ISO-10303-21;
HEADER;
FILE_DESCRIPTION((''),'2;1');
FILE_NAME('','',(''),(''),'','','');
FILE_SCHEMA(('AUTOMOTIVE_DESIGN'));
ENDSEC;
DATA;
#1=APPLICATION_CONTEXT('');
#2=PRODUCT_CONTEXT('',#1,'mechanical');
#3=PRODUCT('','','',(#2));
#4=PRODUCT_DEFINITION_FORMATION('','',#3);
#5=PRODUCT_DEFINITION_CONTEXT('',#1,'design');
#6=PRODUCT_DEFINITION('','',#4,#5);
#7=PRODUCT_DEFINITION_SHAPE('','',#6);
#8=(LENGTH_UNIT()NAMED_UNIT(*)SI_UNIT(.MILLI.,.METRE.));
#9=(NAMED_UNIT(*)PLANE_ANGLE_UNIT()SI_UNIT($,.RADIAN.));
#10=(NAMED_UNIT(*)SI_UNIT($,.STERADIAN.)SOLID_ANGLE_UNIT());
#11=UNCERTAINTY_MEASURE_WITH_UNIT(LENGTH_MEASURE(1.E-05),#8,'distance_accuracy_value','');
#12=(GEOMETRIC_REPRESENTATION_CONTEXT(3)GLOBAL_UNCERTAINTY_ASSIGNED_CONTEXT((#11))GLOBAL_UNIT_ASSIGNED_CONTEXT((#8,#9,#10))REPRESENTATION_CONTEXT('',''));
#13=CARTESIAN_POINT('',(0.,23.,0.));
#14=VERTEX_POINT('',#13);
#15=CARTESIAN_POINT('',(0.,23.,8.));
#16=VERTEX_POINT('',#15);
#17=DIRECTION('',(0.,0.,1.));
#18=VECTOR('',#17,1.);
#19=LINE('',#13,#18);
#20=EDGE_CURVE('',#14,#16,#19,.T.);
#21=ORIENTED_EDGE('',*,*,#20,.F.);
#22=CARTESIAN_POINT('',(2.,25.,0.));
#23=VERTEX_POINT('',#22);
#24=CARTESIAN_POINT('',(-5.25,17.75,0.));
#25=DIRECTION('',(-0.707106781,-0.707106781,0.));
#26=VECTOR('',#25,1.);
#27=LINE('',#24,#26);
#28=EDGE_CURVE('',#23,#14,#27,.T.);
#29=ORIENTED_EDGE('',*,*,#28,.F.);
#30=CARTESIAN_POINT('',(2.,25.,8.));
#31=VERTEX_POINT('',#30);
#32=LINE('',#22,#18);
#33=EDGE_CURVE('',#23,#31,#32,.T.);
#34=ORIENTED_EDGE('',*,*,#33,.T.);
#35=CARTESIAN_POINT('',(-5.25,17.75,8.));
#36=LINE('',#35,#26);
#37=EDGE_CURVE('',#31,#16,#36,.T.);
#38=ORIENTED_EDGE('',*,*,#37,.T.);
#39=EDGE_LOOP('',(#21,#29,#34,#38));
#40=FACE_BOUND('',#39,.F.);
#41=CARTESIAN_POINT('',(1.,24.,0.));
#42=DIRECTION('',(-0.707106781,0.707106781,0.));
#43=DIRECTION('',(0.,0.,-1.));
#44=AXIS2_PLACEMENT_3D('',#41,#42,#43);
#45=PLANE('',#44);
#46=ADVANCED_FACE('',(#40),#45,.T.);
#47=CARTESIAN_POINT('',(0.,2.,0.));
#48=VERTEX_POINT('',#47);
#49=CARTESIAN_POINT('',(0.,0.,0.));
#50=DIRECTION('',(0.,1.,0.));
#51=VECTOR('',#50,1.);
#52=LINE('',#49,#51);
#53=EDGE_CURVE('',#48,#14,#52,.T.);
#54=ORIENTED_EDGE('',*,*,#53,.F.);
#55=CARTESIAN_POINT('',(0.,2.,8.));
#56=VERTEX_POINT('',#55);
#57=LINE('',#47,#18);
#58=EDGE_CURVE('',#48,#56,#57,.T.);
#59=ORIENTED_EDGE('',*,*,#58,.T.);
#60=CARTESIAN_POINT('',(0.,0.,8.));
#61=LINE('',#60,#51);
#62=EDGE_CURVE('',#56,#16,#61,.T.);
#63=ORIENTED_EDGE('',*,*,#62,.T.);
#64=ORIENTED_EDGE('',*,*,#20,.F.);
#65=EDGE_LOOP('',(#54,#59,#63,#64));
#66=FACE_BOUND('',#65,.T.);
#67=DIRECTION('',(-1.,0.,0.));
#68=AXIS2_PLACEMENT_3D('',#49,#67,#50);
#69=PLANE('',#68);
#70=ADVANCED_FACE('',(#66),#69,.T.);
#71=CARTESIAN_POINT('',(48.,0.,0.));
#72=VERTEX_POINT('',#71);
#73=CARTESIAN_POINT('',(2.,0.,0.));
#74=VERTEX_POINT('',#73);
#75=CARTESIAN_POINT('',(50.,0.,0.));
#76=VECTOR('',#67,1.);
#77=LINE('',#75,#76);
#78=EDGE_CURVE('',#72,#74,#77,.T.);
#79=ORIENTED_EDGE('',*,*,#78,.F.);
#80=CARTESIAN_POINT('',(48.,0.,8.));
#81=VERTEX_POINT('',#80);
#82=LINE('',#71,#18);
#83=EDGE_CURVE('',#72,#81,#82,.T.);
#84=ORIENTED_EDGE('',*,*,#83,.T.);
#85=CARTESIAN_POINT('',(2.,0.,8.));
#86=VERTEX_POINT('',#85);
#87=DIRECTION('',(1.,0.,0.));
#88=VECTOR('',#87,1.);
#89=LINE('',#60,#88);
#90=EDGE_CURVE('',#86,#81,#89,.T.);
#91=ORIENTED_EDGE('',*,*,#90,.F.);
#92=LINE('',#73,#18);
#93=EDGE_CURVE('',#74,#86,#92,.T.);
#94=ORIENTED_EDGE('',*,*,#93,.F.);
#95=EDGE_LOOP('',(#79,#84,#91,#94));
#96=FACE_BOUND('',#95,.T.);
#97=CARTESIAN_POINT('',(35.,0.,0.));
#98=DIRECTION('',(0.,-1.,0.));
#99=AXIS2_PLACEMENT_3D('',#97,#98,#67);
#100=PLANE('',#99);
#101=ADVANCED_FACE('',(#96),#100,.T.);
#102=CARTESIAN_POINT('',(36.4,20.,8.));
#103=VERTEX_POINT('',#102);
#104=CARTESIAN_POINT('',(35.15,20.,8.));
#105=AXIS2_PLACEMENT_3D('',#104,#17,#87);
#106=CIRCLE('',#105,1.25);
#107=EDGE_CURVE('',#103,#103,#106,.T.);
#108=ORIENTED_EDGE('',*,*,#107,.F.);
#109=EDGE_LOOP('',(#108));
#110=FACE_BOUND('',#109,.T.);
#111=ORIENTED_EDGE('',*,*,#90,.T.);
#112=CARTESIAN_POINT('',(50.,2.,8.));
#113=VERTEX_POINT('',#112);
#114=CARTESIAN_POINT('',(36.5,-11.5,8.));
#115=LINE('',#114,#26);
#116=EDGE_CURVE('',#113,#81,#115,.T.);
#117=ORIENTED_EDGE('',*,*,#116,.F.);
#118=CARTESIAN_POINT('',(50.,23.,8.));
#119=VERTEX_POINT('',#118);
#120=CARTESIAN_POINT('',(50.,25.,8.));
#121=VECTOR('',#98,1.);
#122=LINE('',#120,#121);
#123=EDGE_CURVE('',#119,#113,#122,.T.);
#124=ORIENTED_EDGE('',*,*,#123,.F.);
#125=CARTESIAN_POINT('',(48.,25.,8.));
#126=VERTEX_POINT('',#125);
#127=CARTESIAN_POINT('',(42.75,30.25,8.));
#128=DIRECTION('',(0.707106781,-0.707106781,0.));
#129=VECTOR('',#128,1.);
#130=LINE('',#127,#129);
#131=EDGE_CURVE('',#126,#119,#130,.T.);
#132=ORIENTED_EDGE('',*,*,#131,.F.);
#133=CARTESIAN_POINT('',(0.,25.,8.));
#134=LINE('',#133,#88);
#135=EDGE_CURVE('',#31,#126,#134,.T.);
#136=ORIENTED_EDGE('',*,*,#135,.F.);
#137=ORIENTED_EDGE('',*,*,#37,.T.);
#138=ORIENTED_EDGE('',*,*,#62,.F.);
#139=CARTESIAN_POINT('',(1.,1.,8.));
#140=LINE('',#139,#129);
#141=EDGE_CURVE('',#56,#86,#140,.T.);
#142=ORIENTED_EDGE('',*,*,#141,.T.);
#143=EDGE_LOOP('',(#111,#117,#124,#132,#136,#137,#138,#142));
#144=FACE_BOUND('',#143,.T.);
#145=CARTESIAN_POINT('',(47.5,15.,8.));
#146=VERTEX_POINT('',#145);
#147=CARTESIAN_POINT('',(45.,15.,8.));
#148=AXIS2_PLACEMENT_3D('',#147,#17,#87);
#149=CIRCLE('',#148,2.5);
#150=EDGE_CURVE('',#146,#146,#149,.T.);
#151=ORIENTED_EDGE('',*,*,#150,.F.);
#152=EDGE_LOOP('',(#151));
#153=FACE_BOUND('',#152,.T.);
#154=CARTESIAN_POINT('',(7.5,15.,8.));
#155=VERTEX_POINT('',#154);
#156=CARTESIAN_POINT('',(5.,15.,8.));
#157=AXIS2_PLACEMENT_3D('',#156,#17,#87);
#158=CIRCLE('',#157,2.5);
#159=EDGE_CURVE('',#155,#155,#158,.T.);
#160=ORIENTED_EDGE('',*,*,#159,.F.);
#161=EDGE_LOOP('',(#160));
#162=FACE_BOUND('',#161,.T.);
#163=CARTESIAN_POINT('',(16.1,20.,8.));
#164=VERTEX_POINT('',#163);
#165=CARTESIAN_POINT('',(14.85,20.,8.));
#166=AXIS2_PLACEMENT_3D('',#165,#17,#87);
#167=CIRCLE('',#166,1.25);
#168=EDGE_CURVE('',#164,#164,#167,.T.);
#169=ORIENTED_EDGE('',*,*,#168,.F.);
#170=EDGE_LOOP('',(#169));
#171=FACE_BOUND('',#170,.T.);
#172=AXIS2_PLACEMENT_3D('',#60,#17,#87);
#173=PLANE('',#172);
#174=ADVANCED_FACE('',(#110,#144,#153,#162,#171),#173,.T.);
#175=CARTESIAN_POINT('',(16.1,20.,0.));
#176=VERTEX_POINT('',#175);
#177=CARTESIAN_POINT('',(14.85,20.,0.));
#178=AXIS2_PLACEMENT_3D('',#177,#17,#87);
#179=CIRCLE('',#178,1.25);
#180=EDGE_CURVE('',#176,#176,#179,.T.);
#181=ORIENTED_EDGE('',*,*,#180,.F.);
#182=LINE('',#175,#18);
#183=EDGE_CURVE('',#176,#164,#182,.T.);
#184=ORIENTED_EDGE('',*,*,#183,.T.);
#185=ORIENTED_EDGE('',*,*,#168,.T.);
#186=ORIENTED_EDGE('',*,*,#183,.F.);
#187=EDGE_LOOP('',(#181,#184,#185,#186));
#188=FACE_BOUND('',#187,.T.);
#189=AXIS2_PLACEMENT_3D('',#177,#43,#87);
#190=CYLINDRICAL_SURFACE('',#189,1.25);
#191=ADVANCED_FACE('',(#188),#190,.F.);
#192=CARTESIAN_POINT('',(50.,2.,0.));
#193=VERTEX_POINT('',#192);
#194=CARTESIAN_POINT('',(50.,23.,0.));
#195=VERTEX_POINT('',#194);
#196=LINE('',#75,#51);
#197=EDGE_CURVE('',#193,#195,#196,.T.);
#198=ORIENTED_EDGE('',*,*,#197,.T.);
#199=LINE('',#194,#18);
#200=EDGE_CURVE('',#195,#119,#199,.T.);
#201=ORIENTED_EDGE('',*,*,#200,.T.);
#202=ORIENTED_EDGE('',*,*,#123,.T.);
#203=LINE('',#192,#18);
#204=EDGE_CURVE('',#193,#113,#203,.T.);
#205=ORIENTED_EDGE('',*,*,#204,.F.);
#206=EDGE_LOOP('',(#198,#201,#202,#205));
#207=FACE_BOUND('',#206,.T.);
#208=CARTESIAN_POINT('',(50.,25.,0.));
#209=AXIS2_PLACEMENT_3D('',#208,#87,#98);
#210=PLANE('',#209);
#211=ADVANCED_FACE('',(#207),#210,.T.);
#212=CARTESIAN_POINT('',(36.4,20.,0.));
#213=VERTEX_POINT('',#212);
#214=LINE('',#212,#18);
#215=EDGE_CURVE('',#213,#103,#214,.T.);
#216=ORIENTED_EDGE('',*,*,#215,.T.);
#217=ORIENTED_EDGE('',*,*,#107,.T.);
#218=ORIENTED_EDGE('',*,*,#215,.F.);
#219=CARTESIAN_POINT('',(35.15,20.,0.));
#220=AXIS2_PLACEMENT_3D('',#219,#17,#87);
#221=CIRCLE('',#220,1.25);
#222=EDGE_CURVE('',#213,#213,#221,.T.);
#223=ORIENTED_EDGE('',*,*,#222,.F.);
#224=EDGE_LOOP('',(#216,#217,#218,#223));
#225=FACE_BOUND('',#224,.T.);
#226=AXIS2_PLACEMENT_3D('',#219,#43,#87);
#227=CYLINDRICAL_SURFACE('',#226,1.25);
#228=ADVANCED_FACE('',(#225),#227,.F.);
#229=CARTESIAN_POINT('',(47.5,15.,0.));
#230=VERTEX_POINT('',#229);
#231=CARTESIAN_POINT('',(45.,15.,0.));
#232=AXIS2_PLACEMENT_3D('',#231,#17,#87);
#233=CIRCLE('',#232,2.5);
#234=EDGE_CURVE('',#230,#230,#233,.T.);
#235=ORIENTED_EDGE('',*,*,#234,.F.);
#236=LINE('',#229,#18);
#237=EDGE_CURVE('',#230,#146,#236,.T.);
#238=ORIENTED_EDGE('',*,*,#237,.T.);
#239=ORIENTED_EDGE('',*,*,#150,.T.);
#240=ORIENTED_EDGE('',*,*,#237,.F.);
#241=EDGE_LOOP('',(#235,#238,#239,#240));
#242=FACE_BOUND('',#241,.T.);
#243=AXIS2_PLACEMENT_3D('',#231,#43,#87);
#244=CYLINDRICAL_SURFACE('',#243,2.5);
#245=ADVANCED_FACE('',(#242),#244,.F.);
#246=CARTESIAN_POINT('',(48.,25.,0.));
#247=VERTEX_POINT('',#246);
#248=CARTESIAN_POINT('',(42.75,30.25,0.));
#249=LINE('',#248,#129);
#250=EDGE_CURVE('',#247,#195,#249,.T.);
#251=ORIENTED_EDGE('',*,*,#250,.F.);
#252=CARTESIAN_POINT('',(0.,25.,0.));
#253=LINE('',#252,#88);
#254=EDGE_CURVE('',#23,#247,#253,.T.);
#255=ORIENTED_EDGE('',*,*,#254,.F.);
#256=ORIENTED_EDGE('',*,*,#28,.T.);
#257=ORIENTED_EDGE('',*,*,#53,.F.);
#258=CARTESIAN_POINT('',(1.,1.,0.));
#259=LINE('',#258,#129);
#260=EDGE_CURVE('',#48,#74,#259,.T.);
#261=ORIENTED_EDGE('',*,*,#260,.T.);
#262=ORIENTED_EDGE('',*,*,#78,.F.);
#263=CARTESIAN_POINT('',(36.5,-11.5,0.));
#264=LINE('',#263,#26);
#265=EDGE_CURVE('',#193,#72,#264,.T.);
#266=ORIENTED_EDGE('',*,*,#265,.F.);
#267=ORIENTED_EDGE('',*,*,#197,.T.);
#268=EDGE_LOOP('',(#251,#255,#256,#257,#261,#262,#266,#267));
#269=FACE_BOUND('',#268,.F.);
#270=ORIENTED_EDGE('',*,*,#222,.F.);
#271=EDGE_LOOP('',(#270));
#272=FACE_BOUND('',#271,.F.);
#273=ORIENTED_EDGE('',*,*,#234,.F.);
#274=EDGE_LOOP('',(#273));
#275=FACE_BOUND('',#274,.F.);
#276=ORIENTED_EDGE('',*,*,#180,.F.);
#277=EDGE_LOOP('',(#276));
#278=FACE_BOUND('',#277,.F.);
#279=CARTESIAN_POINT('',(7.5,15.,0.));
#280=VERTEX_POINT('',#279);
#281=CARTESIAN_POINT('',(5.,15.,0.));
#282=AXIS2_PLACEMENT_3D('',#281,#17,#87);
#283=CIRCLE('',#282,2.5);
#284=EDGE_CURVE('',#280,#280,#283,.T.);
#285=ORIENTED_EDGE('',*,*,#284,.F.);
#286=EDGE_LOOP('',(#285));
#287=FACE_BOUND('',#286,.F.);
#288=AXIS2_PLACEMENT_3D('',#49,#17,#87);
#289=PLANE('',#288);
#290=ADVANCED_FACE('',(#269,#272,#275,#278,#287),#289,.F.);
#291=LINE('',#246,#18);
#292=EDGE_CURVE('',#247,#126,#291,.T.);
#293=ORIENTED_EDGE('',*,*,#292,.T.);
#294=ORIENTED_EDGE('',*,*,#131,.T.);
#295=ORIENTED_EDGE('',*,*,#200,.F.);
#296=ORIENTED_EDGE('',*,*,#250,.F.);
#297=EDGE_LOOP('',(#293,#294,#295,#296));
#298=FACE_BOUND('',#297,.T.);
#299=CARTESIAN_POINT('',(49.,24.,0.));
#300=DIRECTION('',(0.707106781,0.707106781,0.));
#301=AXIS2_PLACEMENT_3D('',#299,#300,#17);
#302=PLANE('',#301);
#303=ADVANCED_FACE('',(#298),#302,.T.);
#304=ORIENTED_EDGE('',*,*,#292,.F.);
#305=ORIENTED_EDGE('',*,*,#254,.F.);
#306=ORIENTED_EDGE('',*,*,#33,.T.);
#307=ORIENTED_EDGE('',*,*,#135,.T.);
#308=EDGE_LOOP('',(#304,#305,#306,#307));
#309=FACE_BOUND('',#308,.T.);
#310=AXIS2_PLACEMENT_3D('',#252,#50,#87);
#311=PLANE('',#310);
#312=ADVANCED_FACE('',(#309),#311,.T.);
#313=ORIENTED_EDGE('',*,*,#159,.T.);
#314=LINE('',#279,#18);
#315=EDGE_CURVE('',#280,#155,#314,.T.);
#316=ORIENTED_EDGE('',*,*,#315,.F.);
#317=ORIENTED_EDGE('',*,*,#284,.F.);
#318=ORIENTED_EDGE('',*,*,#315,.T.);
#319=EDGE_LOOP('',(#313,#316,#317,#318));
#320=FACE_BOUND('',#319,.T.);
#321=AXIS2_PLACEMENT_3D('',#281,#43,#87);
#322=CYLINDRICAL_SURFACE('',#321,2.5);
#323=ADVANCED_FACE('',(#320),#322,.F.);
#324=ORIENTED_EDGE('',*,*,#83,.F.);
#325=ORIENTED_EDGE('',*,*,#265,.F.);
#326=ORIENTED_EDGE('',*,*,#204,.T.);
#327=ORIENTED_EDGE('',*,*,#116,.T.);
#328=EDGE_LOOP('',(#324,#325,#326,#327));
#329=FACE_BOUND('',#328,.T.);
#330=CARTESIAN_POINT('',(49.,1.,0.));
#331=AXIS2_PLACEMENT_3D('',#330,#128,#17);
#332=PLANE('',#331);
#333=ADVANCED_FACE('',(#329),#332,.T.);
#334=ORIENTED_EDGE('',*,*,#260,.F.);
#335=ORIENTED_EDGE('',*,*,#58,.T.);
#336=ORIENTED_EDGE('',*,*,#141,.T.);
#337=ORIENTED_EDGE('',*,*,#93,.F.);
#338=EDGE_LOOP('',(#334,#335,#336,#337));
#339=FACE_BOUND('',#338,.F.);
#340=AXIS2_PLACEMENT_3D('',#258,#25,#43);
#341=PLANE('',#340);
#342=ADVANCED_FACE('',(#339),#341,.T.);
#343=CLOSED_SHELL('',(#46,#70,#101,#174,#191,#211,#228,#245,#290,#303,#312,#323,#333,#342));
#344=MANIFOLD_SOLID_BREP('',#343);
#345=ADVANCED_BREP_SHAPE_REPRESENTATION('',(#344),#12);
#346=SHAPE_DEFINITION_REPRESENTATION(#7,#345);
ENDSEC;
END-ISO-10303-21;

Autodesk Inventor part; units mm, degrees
ref_plane "YZ Plane" through (0, 0, 0) normal (1, 0, 0) x (0, 1, 0)
ref_plane "XZ Plane" through (0, 0, 0) normal (0, 1, 0) x (-1, 0, 0)
ref_plane "XY Plane" through (0, 0, 0) normal (0, 0, 1) x (1, 0, 0)
sketch "Sketch1" plane through (0, 0, 0) normal (0, 0, 1) x (1, 0, 0)
  line L0 (0, 25) -> (50, 25)
  line L1 (50, 25) -> (50, 5)
  line L2 (35, 0) -> (0, 0)
  line L3 (0, 0) -> (0, 25)
  line L4 (35, 5) -> (50, 5)
  line L5 (35, 0) -> (35, 5)
  circle A0 centre (5, 15) radius 2.5
  circle A1 centre (45, 15) radius 2.5
  line L6 (25, 21.4836) -> (25, 16.0198) construction
  circle A2 centre (14.85, 20) radius 1.25
  circle A3 centre (35.15, 20) radius 1.25
  line L7 (35, 5) -> (50, 5)
  line L8 (50, 5) -> (50, 0)
  line L9 (50, 0) -> (35, 0)
  line L10 (35, 0) -> (35, 5)
  point P0 (25, 18.7517)
  point P1 (25, 25)
  dimension "d0" = 25
  dimension "d1" = 50
  dimension "d2" = 35
  dimension "d3" = 20
  dimension "d4" = 5
  dimension "d5" = 5
  dimension "d6" = 5
  dimension "d7" = 10
  dimension "d8" = 2.5
  dimension "d9" = 2.5
  dimension "d10" = 5
  dimension "d11" = 20.3
extrude "Extrusion1" add sketch "Sketch1" along normal blind 8
chamfer "Chamfer1" distance 2 angle 45 4 edges at (0, 0, 4) (50, 25, 4) (0, 25, 4) (50, 0, 4)
properties part number "0008-10-059"
